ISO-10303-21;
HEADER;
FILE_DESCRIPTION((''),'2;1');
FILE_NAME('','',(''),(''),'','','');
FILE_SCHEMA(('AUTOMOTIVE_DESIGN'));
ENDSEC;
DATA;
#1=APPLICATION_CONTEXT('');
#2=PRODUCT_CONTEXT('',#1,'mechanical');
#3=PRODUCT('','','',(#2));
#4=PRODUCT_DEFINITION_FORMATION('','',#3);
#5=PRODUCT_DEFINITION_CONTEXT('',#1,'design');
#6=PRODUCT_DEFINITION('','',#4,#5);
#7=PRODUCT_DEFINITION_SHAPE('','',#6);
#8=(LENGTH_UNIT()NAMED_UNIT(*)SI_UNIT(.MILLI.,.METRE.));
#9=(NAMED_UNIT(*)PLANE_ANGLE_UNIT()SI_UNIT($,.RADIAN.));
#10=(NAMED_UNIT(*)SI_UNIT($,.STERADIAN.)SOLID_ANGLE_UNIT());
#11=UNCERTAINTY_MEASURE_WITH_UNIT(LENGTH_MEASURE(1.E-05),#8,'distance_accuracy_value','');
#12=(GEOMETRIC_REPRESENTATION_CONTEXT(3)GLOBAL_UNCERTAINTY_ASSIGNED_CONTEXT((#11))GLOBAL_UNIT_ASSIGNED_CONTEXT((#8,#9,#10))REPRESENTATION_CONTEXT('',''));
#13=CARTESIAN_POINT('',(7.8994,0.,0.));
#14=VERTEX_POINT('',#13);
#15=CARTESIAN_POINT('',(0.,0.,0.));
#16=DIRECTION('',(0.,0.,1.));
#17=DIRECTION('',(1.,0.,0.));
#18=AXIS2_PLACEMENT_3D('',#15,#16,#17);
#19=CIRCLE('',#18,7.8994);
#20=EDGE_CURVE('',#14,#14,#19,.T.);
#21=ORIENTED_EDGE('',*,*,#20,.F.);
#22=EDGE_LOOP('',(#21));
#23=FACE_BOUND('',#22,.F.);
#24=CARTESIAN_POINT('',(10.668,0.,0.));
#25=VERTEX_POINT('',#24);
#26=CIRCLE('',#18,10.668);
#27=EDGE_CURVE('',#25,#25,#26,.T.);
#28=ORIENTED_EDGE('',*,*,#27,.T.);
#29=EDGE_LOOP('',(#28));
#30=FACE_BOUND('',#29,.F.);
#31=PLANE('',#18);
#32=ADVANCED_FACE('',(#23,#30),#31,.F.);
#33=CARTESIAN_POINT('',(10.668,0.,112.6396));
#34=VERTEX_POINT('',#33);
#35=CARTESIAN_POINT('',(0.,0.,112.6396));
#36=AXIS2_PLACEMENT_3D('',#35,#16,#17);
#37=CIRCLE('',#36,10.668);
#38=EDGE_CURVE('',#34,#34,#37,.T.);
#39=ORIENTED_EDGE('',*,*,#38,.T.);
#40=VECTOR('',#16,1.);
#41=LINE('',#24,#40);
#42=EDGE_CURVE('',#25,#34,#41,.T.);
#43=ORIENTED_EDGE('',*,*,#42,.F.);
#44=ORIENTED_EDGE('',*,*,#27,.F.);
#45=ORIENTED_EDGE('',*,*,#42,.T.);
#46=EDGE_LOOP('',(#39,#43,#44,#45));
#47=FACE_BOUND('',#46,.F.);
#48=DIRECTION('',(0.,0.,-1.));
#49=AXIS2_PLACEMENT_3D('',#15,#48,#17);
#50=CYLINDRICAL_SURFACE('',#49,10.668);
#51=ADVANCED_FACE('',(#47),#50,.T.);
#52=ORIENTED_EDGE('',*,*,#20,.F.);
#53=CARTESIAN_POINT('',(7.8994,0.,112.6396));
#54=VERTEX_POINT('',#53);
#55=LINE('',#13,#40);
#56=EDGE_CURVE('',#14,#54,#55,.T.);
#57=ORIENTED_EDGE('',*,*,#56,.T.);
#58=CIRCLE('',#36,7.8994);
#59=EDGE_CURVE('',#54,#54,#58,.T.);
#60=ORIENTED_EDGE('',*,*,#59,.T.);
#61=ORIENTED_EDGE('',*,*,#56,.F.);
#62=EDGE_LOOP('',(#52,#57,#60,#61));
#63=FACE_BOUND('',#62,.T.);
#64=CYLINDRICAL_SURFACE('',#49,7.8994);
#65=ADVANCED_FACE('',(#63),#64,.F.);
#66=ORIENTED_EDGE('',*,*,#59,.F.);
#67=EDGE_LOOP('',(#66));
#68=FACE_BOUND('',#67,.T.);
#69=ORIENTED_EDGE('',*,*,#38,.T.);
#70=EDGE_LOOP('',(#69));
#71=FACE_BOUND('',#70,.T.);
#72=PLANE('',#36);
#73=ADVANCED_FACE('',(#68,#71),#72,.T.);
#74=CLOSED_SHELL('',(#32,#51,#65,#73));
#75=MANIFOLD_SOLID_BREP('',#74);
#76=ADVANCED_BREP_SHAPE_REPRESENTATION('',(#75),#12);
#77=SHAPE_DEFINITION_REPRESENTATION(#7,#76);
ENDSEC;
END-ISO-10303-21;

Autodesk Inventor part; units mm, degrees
ref_plane "YZ Plane" through (0, 0, 0) normal (1, 0, 0) x (0, 1, 0)
ref_plane "Start Plane" through (0, 0, 0) normal (0, 0, 1) x (1, 0, 0)
ref_plane "End Plane" through (0, 0, 112.6396) normal (0, 0, 1) x (1, 0, 0)
sketch "Sketch" plane through (0, 0, 0) normal (0, 0, 1) x (1, 0, 0)
  circle A0 centre (0, 0) radius 7.8994
  circle A1 centre (0, 0) radius 10.668
  dimension "d0" = 21.336
  dimension "d1" = 2.7686
extrude "Body" add sketch "Sketch" along normal up to surface (112.6396 mm away) from surface at 0
sketch "Sketch3" plane through (0, 0, 0) normal (0, 0, 1) x (1, 0, 0)
  line L0 (0, 0) -> (10, 0)
ref_plane "Work Plane3" through (0, 0, 0) normal (0, -1, 0) x (1, 0, 0)
sketch "Sketch4" plane through (0, 0, 0) normal (0, -1, 0) x (1, 0, 0)
  line L0 (-2, 0) -> (12, 0) projected
  line L1 (-2, 112.6396) -> (12, 112.6396) projected
  dimension "d7" = 112.6396
equation "\"d0\" = G_H"
equation "\"d1\" = G_T"
equation "\"d2\" = G_L"
equation "\"G_H\" = 21.336"
equation "\"G_T\" = 2.7686"
equation "\"G_L\" = d7"
equation "\"G_OFFSET_START\" = 0"
equation "\"G_OFFSET_END\" = 0"
equation "\"d5\" = G_OFFSET_END + B_L"
equation "\"B_L\" = 112.63964"
properties part number "ANSI - 1/2 x 0.109 - 4.435" material "Steel, Mild"
